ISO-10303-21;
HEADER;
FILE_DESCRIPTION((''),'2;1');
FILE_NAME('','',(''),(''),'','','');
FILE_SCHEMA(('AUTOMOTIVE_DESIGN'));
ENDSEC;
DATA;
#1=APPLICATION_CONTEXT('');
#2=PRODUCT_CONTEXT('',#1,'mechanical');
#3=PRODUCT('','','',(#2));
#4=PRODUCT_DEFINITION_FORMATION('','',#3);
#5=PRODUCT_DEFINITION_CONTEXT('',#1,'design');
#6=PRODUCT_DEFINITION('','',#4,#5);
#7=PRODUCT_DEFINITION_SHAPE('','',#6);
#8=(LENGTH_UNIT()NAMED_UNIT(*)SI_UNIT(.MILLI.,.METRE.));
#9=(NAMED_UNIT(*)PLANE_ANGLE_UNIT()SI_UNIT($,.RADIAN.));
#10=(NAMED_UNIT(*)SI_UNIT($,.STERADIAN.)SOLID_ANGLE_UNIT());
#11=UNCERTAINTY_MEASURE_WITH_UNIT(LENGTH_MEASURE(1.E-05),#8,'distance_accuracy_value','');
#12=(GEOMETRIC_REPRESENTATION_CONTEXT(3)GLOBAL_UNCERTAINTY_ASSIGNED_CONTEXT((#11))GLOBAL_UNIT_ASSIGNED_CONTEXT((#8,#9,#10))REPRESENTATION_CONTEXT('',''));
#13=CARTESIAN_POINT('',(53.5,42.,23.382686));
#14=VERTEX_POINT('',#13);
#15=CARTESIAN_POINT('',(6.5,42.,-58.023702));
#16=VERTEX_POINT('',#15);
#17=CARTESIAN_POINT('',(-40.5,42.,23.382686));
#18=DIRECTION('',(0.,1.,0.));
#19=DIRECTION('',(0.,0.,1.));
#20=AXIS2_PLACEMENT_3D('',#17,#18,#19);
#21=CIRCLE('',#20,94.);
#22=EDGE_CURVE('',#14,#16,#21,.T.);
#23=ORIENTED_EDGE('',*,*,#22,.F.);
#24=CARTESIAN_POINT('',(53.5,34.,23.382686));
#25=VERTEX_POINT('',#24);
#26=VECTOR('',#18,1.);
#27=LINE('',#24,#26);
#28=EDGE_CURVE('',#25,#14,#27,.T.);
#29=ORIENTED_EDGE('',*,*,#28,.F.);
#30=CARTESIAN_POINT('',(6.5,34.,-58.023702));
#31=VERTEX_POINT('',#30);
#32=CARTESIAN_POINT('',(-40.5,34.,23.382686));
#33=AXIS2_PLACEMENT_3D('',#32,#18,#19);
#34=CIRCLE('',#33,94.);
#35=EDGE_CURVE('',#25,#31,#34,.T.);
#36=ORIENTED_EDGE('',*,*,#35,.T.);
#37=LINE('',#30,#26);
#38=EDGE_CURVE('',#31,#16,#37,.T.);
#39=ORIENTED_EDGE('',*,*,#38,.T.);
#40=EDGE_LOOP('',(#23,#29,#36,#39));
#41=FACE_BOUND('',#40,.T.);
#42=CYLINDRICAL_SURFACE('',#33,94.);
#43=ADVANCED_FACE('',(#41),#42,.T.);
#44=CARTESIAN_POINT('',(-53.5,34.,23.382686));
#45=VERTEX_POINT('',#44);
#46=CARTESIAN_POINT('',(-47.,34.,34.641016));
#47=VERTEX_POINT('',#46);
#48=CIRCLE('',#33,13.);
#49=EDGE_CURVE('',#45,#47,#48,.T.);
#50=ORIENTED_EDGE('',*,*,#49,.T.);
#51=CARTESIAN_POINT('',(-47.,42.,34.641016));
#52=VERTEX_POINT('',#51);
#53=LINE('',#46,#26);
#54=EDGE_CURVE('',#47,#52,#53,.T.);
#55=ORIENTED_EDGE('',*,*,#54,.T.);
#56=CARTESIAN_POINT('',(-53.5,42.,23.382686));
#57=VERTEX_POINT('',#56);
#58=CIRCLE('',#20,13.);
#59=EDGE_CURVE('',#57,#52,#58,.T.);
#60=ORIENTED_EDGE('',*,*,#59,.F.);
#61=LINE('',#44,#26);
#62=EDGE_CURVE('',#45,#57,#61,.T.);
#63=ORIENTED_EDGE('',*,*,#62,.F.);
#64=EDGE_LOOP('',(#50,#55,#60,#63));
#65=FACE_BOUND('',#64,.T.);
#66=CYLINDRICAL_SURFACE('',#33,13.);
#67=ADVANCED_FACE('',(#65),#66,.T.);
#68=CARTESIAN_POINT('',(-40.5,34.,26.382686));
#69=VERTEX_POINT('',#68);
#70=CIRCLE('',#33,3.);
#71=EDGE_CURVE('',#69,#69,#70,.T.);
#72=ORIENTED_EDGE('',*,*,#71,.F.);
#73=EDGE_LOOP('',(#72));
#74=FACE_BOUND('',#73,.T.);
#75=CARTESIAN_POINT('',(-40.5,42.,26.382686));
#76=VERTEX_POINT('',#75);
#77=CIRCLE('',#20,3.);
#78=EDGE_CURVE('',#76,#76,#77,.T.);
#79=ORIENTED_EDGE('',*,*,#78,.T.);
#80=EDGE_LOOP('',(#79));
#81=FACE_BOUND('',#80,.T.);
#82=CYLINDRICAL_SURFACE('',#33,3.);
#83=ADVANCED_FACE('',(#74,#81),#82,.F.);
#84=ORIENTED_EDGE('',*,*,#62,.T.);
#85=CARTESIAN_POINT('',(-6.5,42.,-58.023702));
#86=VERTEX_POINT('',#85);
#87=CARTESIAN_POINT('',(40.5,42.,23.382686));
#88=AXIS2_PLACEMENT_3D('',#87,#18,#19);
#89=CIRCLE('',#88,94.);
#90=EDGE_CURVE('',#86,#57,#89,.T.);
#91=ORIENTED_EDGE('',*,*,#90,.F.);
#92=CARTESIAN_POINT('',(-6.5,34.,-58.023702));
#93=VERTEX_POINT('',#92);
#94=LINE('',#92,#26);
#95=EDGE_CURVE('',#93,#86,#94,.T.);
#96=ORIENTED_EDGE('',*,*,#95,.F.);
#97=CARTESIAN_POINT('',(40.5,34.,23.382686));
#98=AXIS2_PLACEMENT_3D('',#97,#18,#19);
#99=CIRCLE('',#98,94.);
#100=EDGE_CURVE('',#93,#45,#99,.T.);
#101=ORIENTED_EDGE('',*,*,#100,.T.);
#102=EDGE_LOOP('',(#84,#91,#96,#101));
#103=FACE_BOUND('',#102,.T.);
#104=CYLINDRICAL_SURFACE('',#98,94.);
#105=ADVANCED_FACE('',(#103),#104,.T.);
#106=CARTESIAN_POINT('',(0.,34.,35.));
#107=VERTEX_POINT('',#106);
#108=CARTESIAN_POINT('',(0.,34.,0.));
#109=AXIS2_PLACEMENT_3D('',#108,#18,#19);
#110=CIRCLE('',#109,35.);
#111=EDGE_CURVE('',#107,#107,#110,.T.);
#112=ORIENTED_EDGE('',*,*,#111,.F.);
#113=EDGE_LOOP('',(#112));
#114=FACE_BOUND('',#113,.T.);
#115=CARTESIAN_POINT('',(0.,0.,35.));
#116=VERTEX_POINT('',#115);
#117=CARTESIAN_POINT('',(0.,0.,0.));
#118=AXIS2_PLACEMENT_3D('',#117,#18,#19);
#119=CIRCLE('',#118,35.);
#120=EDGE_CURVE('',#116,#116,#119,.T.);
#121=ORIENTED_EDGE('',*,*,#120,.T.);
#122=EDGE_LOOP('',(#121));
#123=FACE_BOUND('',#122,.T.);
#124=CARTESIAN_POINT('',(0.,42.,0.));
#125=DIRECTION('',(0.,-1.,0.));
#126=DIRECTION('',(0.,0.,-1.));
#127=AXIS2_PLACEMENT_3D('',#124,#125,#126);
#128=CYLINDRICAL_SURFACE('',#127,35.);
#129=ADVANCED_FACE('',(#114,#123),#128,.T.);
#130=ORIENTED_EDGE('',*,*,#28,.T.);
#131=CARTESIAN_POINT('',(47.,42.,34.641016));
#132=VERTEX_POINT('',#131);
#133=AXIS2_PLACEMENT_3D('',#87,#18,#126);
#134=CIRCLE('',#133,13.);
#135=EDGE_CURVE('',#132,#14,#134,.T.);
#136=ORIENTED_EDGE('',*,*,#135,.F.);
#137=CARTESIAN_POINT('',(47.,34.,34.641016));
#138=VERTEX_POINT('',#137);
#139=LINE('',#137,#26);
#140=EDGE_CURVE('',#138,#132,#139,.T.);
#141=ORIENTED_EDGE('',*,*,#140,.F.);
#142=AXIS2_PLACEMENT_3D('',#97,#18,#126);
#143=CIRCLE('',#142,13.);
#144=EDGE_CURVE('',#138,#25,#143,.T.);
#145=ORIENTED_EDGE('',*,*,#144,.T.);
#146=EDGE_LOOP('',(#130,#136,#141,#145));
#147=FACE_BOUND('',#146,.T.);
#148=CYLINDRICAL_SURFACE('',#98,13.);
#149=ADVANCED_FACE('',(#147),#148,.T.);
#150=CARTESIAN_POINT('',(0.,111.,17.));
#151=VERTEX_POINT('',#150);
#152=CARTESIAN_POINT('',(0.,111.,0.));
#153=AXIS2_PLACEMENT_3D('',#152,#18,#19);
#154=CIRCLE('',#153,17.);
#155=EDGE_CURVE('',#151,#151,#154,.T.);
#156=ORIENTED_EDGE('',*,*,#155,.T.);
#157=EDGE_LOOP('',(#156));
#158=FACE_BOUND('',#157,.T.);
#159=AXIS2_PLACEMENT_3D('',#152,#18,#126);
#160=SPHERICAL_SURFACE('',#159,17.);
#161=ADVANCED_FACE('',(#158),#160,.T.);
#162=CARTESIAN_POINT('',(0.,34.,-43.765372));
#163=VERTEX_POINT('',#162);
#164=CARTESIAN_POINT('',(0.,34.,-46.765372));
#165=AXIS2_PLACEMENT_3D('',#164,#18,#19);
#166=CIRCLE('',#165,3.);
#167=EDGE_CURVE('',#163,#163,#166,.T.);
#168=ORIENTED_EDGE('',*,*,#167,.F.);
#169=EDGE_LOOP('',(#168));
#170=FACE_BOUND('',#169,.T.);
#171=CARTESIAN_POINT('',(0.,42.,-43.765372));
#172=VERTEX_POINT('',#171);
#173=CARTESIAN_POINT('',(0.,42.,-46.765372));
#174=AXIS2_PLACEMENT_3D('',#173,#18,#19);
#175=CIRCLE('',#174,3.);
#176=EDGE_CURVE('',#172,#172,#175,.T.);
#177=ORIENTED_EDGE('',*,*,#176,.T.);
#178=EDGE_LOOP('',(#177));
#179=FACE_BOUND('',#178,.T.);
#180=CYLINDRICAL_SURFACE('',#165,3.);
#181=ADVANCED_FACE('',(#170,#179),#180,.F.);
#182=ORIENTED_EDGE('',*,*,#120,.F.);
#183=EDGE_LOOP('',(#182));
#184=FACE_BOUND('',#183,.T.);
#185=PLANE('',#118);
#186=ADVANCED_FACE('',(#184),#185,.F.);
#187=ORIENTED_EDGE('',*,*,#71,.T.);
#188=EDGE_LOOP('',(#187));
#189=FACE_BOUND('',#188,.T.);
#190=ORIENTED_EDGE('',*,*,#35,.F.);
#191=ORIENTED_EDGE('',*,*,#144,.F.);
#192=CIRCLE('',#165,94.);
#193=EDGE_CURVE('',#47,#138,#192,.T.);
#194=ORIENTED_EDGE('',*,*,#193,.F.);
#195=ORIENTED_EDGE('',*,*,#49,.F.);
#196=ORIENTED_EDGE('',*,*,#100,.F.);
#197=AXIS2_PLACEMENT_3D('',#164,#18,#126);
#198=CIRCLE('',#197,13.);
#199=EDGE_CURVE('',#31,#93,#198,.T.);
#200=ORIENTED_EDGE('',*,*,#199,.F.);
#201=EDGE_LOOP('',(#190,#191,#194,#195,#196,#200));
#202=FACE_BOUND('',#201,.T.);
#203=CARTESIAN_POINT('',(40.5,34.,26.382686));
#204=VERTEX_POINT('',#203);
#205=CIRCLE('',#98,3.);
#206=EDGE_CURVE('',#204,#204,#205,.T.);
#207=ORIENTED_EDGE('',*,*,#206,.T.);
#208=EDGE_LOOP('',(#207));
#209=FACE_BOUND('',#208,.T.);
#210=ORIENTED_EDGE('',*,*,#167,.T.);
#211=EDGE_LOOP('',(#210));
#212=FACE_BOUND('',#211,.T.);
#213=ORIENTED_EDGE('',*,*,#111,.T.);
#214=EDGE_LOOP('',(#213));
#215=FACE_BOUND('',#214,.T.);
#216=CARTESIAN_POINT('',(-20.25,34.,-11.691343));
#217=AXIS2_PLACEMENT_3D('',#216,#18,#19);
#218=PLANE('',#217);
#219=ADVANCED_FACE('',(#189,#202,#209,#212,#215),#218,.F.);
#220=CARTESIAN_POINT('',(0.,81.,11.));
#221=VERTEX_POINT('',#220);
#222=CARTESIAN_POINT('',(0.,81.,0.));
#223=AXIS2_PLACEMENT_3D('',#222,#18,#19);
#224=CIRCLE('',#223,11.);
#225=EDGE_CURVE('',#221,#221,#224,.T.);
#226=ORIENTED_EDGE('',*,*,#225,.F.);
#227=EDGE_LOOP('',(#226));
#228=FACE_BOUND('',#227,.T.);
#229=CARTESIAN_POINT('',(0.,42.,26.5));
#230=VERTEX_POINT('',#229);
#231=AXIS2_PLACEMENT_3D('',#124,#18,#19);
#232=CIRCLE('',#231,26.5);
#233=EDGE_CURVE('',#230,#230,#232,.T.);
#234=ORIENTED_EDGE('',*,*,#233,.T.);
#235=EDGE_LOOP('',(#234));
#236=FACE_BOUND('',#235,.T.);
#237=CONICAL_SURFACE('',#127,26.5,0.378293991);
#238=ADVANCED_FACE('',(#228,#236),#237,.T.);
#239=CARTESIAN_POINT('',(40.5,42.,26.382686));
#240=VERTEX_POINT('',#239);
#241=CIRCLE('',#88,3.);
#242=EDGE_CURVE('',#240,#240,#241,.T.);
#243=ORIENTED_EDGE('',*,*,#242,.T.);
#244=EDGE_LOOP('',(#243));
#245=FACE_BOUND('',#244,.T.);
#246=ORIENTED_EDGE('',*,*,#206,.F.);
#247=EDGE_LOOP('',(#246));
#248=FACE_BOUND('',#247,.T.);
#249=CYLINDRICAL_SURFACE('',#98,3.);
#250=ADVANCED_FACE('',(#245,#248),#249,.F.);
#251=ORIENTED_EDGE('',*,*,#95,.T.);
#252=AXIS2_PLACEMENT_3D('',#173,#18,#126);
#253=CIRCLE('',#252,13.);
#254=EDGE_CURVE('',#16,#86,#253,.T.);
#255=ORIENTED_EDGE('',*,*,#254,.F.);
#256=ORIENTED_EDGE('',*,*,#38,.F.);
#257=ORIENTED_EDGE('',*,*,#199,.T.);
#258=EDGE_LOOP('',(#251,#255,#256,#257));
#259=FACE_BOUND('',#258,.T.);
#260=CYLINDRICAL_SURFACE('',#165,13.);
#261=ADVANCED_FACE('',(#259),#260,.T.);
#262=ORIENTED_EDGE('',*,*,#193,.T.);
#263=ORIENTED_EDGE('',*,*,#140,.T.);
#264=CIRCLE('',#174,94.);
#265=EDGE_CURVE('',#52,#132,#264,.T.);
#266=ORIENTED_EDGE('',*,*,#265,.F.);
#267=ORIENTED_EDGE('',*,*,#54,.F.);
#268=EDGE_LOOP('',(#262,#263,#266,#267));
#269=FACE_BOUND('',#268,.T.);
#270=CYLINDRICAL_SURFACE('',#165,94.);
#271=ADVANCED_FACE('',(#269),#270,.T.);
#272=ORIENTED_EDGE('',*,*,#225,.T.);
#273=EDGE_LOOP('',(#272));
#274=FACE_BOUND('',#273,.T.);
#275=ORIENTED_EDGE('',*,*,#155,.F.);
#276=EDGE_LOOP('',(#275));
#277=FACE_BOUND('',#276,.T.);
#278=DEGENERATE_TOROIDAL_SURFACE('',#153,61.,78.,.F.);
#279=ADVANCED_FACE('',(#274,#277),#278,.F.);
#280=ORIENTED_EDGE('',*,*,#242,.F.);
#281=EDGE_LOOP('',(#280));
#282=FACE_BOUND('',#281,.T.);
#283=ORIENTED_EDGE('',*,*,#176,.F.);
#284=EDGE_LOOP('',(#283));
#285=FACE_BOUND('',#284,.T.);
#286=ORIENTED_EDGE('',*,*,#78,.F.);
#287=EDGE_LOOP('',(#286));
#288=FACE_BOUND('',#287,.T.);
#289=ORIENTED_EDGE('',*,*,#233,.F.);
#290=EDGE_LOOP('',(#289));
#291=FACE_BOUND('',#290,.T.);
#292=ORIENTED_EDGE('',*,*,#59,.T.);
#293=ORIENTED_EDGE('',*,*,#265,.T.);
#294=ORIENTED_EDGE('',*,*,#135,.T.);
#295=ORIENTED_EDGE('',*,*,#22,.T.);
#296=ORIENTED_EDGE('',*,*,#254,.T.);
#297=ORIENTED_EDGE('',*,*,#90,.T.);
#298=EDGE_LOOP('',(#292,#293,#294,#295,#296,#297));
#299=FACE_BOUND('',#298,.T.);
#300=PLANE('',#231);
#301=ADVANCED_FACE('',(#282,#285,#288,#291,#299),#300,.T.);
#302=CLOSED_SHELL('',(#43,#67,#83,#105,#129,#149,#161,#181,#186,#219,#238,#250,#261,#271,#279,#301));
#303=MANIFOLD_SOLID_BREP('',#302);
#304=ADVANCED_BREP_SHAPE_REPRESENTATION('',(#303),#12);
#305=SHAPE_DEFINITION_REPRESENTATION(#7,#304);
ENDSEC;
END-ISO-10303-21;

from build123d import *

# Parameters (mm, degrees)
SKETCH_1_R      = 35
EXTRUDE_1_DEPTH = 42
SKETCH_2_R      = 3
EXTRUDE_2_DEPTH = 8


with BuildPart() as part:
    # Эскиз1 → Бобышка-Вытянуть1 (new body)
    with BuildSketch(Plane(origin=(0, 0, 0), x_dir=(1, 0, 0), z_dir=(0, 1, 0))):
        Circle(SKETCH_1_R)
    extrude(amount=EXTRUDE_1_DEPTH)

    # Эскиз2 → Бобышка-Вытянуть2 (add)
    with BuildSketch(Plane(origin=(0, 42, 0), x_dir=(1, 0, 0), z_dir=(0, 1, 0))):
        with BuildLine():
            ThreePointArc((-47, -34.641016151), (0, -47.234628196), (47, -34.641016151))
            ThreePointArc((47, -34.641016151), (51.758330249, -29.882685902), (53.5, -23.382685902))
            ThreePointArc((53.5, -23.382685902), (40.906387956, 23.617314098), (6.5, 58.023702054))
            ThreePointArc((6.5, 58.023702054), (0, 59.765371804), (-6.5, 58.023702054))
            ThreePointArc((-6.5, 58.023702054), (-40.906387956, 23.617314098), (-53.5, -23.382685902))
            ThreePointArc((-53.5, -23.382685902), (-51.758330249, -29.882685902), (-47, -34.641016151))
        make_face()
        with Locations((0, 46.765371804)):
            Circle(SKETCH_2_R, mode=Mode.SUBTRACT)
        with Locations((-40.5, -23.382685902)):
            Circle(SKETCH_2_R, mode=Mode.SUBTRACT)
        with Locations((40.5, -23.382685902)):
            Circle(SKETCH_2_R, mode=Mode.SUBTRACT)
    extrude(amount=-EXTRUDE_2_DEPTH)

    # Эскиз3 → Повернуть1 (revolve)
    with BuildSketch(Plane(origin=(0, 0, 0), x_dir=(0, 0, -1), z_dir=(1, 0, 0))):
        with BuildLine():
            Line((11, 81), (26.5, 42))
            Line((26.5, 42), (0, 42))
            Line((0, 42), (0, 128))
            ThreePointArc((0, 128), (12.02081528, 123.02081528), (17, 111))
            ThreePointArc((17, 111), (15.485292704, 95.702941459), (11, 81))
        make_face()
    revolve(axis=Axis((0, 128, 0), (0, -1, 0)))


solid = part.part
